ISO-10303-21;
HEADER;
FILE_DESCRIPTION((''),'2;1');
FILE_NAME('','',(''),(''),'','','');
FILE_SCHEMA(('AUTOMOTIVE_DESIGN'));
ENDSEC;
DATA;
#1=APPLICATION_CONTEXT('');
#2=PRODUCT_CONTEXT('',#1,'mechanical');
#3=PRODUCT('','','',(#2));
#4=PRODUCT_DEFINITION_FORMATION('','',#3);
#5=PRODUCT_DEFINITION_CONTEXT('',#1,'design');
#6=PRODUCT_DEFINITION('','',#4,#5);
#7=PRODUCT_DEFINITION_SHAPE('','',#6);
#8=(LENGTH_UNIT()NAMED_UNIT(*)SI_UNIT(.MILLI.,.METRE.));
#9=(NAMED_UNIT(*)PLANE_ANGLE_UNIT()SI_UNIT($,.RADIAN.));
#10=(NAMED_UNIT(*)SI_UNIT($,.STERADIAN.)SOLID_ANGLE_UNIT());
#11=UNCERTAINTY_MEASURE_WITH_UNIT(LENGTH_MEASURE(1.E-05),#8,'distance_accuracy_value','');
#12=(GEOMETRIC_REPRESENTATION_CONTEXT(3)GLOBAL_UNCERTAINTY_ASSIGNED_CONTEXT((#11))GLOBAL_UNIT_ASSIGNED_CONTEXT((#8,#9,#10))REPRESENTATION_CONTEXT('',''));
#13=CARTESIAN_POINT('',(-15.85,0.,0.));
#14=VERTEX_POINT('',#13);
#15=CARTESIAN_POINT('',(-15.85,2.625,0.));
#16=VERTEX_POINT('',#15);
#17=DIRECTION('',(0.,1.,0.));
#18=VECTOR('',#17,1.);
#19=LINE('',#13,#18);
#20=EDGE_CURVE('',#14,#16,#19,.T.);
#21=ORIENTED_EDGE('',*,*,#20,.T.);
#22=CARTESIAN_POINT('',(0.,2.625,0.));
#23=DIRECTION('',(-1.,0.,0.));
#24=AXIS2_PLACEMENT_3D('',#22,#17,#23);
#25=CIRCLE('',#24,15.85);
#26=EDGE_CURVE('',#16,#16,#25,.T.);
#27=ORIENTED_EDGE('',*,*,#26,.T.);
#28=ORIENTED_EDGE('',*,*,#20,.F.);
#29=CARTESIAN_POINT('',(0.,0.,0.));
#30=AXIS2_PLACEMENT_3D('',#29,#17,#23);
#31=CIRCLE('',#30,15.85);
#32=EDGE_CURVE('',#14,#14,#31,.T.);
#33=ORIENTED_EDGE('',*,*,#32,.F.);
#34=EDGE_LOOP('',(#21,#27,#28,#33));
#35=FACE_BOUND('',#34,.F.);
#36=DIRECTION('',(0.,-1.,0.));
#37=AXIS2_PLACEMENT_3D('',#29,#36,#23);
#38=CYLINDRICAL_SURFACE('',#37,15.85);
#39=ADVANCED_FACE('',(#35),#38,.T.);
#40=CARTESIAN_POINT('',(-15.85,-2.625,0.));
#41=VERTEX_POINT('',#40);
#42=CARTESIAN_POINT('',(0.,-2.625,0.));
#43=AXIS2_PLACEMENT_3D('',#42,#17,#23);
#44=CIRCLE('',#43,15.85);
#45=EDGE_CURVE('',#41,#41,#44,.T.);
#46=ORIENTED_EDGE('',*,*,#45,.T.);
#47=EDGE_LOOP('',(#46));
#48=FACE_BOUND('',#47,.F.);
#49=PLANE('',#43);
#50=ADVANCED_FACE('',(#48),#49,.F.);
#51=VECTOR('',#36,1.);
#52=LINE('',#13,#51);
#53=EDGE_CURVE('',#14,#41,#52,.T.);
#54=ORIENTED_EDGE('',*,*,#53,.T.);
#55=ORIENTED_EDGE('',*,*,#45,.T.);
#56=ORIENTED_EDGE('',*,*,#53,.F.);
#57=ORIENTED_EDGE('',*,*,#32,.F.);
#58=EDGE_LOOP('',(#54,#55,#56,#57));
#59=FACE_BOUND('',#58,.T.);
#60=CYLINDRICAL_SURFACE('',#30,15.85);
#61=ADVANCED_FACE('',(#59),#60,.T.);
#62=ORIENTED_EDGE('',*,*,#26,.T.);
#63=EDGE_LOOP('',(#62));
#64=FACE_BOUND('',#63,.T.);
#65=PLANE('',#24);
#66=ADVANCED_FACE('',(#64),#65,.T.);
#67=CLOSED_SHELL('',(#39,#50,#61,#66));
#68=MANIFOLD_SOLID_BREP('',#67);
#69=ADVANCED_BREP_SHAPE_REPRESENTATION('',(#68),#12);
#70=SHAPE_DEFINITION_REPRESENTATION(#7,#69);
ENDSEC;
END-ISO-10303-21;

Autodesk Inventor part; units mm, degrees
ref_plane "YZ Plane" through (0, 0, 0) normal (1, 0, 0) x (0, 1, 0)
ref_plane "XZ Plane" through (0, 0, 0) normal (0, 1, 0) x (-1, 0, 0)
ref_plane "XY Plane" through (0, 0, 0) normal (0, 0, 1) x (1, 0, 0)
sketch "Sketch1" plane through (0, 0, 0) normal (0, 1, 0) x (-1, 0, 0)
  circle A0 centre (0, 0) radius 15.85
  dimension "d0" = 31.7
extrude "Extrusion1" add sketch "Sketch1" along normal mid plane 5.25
properties part number "FactionSpecial_Vuil_Rifts" material "Paper"
